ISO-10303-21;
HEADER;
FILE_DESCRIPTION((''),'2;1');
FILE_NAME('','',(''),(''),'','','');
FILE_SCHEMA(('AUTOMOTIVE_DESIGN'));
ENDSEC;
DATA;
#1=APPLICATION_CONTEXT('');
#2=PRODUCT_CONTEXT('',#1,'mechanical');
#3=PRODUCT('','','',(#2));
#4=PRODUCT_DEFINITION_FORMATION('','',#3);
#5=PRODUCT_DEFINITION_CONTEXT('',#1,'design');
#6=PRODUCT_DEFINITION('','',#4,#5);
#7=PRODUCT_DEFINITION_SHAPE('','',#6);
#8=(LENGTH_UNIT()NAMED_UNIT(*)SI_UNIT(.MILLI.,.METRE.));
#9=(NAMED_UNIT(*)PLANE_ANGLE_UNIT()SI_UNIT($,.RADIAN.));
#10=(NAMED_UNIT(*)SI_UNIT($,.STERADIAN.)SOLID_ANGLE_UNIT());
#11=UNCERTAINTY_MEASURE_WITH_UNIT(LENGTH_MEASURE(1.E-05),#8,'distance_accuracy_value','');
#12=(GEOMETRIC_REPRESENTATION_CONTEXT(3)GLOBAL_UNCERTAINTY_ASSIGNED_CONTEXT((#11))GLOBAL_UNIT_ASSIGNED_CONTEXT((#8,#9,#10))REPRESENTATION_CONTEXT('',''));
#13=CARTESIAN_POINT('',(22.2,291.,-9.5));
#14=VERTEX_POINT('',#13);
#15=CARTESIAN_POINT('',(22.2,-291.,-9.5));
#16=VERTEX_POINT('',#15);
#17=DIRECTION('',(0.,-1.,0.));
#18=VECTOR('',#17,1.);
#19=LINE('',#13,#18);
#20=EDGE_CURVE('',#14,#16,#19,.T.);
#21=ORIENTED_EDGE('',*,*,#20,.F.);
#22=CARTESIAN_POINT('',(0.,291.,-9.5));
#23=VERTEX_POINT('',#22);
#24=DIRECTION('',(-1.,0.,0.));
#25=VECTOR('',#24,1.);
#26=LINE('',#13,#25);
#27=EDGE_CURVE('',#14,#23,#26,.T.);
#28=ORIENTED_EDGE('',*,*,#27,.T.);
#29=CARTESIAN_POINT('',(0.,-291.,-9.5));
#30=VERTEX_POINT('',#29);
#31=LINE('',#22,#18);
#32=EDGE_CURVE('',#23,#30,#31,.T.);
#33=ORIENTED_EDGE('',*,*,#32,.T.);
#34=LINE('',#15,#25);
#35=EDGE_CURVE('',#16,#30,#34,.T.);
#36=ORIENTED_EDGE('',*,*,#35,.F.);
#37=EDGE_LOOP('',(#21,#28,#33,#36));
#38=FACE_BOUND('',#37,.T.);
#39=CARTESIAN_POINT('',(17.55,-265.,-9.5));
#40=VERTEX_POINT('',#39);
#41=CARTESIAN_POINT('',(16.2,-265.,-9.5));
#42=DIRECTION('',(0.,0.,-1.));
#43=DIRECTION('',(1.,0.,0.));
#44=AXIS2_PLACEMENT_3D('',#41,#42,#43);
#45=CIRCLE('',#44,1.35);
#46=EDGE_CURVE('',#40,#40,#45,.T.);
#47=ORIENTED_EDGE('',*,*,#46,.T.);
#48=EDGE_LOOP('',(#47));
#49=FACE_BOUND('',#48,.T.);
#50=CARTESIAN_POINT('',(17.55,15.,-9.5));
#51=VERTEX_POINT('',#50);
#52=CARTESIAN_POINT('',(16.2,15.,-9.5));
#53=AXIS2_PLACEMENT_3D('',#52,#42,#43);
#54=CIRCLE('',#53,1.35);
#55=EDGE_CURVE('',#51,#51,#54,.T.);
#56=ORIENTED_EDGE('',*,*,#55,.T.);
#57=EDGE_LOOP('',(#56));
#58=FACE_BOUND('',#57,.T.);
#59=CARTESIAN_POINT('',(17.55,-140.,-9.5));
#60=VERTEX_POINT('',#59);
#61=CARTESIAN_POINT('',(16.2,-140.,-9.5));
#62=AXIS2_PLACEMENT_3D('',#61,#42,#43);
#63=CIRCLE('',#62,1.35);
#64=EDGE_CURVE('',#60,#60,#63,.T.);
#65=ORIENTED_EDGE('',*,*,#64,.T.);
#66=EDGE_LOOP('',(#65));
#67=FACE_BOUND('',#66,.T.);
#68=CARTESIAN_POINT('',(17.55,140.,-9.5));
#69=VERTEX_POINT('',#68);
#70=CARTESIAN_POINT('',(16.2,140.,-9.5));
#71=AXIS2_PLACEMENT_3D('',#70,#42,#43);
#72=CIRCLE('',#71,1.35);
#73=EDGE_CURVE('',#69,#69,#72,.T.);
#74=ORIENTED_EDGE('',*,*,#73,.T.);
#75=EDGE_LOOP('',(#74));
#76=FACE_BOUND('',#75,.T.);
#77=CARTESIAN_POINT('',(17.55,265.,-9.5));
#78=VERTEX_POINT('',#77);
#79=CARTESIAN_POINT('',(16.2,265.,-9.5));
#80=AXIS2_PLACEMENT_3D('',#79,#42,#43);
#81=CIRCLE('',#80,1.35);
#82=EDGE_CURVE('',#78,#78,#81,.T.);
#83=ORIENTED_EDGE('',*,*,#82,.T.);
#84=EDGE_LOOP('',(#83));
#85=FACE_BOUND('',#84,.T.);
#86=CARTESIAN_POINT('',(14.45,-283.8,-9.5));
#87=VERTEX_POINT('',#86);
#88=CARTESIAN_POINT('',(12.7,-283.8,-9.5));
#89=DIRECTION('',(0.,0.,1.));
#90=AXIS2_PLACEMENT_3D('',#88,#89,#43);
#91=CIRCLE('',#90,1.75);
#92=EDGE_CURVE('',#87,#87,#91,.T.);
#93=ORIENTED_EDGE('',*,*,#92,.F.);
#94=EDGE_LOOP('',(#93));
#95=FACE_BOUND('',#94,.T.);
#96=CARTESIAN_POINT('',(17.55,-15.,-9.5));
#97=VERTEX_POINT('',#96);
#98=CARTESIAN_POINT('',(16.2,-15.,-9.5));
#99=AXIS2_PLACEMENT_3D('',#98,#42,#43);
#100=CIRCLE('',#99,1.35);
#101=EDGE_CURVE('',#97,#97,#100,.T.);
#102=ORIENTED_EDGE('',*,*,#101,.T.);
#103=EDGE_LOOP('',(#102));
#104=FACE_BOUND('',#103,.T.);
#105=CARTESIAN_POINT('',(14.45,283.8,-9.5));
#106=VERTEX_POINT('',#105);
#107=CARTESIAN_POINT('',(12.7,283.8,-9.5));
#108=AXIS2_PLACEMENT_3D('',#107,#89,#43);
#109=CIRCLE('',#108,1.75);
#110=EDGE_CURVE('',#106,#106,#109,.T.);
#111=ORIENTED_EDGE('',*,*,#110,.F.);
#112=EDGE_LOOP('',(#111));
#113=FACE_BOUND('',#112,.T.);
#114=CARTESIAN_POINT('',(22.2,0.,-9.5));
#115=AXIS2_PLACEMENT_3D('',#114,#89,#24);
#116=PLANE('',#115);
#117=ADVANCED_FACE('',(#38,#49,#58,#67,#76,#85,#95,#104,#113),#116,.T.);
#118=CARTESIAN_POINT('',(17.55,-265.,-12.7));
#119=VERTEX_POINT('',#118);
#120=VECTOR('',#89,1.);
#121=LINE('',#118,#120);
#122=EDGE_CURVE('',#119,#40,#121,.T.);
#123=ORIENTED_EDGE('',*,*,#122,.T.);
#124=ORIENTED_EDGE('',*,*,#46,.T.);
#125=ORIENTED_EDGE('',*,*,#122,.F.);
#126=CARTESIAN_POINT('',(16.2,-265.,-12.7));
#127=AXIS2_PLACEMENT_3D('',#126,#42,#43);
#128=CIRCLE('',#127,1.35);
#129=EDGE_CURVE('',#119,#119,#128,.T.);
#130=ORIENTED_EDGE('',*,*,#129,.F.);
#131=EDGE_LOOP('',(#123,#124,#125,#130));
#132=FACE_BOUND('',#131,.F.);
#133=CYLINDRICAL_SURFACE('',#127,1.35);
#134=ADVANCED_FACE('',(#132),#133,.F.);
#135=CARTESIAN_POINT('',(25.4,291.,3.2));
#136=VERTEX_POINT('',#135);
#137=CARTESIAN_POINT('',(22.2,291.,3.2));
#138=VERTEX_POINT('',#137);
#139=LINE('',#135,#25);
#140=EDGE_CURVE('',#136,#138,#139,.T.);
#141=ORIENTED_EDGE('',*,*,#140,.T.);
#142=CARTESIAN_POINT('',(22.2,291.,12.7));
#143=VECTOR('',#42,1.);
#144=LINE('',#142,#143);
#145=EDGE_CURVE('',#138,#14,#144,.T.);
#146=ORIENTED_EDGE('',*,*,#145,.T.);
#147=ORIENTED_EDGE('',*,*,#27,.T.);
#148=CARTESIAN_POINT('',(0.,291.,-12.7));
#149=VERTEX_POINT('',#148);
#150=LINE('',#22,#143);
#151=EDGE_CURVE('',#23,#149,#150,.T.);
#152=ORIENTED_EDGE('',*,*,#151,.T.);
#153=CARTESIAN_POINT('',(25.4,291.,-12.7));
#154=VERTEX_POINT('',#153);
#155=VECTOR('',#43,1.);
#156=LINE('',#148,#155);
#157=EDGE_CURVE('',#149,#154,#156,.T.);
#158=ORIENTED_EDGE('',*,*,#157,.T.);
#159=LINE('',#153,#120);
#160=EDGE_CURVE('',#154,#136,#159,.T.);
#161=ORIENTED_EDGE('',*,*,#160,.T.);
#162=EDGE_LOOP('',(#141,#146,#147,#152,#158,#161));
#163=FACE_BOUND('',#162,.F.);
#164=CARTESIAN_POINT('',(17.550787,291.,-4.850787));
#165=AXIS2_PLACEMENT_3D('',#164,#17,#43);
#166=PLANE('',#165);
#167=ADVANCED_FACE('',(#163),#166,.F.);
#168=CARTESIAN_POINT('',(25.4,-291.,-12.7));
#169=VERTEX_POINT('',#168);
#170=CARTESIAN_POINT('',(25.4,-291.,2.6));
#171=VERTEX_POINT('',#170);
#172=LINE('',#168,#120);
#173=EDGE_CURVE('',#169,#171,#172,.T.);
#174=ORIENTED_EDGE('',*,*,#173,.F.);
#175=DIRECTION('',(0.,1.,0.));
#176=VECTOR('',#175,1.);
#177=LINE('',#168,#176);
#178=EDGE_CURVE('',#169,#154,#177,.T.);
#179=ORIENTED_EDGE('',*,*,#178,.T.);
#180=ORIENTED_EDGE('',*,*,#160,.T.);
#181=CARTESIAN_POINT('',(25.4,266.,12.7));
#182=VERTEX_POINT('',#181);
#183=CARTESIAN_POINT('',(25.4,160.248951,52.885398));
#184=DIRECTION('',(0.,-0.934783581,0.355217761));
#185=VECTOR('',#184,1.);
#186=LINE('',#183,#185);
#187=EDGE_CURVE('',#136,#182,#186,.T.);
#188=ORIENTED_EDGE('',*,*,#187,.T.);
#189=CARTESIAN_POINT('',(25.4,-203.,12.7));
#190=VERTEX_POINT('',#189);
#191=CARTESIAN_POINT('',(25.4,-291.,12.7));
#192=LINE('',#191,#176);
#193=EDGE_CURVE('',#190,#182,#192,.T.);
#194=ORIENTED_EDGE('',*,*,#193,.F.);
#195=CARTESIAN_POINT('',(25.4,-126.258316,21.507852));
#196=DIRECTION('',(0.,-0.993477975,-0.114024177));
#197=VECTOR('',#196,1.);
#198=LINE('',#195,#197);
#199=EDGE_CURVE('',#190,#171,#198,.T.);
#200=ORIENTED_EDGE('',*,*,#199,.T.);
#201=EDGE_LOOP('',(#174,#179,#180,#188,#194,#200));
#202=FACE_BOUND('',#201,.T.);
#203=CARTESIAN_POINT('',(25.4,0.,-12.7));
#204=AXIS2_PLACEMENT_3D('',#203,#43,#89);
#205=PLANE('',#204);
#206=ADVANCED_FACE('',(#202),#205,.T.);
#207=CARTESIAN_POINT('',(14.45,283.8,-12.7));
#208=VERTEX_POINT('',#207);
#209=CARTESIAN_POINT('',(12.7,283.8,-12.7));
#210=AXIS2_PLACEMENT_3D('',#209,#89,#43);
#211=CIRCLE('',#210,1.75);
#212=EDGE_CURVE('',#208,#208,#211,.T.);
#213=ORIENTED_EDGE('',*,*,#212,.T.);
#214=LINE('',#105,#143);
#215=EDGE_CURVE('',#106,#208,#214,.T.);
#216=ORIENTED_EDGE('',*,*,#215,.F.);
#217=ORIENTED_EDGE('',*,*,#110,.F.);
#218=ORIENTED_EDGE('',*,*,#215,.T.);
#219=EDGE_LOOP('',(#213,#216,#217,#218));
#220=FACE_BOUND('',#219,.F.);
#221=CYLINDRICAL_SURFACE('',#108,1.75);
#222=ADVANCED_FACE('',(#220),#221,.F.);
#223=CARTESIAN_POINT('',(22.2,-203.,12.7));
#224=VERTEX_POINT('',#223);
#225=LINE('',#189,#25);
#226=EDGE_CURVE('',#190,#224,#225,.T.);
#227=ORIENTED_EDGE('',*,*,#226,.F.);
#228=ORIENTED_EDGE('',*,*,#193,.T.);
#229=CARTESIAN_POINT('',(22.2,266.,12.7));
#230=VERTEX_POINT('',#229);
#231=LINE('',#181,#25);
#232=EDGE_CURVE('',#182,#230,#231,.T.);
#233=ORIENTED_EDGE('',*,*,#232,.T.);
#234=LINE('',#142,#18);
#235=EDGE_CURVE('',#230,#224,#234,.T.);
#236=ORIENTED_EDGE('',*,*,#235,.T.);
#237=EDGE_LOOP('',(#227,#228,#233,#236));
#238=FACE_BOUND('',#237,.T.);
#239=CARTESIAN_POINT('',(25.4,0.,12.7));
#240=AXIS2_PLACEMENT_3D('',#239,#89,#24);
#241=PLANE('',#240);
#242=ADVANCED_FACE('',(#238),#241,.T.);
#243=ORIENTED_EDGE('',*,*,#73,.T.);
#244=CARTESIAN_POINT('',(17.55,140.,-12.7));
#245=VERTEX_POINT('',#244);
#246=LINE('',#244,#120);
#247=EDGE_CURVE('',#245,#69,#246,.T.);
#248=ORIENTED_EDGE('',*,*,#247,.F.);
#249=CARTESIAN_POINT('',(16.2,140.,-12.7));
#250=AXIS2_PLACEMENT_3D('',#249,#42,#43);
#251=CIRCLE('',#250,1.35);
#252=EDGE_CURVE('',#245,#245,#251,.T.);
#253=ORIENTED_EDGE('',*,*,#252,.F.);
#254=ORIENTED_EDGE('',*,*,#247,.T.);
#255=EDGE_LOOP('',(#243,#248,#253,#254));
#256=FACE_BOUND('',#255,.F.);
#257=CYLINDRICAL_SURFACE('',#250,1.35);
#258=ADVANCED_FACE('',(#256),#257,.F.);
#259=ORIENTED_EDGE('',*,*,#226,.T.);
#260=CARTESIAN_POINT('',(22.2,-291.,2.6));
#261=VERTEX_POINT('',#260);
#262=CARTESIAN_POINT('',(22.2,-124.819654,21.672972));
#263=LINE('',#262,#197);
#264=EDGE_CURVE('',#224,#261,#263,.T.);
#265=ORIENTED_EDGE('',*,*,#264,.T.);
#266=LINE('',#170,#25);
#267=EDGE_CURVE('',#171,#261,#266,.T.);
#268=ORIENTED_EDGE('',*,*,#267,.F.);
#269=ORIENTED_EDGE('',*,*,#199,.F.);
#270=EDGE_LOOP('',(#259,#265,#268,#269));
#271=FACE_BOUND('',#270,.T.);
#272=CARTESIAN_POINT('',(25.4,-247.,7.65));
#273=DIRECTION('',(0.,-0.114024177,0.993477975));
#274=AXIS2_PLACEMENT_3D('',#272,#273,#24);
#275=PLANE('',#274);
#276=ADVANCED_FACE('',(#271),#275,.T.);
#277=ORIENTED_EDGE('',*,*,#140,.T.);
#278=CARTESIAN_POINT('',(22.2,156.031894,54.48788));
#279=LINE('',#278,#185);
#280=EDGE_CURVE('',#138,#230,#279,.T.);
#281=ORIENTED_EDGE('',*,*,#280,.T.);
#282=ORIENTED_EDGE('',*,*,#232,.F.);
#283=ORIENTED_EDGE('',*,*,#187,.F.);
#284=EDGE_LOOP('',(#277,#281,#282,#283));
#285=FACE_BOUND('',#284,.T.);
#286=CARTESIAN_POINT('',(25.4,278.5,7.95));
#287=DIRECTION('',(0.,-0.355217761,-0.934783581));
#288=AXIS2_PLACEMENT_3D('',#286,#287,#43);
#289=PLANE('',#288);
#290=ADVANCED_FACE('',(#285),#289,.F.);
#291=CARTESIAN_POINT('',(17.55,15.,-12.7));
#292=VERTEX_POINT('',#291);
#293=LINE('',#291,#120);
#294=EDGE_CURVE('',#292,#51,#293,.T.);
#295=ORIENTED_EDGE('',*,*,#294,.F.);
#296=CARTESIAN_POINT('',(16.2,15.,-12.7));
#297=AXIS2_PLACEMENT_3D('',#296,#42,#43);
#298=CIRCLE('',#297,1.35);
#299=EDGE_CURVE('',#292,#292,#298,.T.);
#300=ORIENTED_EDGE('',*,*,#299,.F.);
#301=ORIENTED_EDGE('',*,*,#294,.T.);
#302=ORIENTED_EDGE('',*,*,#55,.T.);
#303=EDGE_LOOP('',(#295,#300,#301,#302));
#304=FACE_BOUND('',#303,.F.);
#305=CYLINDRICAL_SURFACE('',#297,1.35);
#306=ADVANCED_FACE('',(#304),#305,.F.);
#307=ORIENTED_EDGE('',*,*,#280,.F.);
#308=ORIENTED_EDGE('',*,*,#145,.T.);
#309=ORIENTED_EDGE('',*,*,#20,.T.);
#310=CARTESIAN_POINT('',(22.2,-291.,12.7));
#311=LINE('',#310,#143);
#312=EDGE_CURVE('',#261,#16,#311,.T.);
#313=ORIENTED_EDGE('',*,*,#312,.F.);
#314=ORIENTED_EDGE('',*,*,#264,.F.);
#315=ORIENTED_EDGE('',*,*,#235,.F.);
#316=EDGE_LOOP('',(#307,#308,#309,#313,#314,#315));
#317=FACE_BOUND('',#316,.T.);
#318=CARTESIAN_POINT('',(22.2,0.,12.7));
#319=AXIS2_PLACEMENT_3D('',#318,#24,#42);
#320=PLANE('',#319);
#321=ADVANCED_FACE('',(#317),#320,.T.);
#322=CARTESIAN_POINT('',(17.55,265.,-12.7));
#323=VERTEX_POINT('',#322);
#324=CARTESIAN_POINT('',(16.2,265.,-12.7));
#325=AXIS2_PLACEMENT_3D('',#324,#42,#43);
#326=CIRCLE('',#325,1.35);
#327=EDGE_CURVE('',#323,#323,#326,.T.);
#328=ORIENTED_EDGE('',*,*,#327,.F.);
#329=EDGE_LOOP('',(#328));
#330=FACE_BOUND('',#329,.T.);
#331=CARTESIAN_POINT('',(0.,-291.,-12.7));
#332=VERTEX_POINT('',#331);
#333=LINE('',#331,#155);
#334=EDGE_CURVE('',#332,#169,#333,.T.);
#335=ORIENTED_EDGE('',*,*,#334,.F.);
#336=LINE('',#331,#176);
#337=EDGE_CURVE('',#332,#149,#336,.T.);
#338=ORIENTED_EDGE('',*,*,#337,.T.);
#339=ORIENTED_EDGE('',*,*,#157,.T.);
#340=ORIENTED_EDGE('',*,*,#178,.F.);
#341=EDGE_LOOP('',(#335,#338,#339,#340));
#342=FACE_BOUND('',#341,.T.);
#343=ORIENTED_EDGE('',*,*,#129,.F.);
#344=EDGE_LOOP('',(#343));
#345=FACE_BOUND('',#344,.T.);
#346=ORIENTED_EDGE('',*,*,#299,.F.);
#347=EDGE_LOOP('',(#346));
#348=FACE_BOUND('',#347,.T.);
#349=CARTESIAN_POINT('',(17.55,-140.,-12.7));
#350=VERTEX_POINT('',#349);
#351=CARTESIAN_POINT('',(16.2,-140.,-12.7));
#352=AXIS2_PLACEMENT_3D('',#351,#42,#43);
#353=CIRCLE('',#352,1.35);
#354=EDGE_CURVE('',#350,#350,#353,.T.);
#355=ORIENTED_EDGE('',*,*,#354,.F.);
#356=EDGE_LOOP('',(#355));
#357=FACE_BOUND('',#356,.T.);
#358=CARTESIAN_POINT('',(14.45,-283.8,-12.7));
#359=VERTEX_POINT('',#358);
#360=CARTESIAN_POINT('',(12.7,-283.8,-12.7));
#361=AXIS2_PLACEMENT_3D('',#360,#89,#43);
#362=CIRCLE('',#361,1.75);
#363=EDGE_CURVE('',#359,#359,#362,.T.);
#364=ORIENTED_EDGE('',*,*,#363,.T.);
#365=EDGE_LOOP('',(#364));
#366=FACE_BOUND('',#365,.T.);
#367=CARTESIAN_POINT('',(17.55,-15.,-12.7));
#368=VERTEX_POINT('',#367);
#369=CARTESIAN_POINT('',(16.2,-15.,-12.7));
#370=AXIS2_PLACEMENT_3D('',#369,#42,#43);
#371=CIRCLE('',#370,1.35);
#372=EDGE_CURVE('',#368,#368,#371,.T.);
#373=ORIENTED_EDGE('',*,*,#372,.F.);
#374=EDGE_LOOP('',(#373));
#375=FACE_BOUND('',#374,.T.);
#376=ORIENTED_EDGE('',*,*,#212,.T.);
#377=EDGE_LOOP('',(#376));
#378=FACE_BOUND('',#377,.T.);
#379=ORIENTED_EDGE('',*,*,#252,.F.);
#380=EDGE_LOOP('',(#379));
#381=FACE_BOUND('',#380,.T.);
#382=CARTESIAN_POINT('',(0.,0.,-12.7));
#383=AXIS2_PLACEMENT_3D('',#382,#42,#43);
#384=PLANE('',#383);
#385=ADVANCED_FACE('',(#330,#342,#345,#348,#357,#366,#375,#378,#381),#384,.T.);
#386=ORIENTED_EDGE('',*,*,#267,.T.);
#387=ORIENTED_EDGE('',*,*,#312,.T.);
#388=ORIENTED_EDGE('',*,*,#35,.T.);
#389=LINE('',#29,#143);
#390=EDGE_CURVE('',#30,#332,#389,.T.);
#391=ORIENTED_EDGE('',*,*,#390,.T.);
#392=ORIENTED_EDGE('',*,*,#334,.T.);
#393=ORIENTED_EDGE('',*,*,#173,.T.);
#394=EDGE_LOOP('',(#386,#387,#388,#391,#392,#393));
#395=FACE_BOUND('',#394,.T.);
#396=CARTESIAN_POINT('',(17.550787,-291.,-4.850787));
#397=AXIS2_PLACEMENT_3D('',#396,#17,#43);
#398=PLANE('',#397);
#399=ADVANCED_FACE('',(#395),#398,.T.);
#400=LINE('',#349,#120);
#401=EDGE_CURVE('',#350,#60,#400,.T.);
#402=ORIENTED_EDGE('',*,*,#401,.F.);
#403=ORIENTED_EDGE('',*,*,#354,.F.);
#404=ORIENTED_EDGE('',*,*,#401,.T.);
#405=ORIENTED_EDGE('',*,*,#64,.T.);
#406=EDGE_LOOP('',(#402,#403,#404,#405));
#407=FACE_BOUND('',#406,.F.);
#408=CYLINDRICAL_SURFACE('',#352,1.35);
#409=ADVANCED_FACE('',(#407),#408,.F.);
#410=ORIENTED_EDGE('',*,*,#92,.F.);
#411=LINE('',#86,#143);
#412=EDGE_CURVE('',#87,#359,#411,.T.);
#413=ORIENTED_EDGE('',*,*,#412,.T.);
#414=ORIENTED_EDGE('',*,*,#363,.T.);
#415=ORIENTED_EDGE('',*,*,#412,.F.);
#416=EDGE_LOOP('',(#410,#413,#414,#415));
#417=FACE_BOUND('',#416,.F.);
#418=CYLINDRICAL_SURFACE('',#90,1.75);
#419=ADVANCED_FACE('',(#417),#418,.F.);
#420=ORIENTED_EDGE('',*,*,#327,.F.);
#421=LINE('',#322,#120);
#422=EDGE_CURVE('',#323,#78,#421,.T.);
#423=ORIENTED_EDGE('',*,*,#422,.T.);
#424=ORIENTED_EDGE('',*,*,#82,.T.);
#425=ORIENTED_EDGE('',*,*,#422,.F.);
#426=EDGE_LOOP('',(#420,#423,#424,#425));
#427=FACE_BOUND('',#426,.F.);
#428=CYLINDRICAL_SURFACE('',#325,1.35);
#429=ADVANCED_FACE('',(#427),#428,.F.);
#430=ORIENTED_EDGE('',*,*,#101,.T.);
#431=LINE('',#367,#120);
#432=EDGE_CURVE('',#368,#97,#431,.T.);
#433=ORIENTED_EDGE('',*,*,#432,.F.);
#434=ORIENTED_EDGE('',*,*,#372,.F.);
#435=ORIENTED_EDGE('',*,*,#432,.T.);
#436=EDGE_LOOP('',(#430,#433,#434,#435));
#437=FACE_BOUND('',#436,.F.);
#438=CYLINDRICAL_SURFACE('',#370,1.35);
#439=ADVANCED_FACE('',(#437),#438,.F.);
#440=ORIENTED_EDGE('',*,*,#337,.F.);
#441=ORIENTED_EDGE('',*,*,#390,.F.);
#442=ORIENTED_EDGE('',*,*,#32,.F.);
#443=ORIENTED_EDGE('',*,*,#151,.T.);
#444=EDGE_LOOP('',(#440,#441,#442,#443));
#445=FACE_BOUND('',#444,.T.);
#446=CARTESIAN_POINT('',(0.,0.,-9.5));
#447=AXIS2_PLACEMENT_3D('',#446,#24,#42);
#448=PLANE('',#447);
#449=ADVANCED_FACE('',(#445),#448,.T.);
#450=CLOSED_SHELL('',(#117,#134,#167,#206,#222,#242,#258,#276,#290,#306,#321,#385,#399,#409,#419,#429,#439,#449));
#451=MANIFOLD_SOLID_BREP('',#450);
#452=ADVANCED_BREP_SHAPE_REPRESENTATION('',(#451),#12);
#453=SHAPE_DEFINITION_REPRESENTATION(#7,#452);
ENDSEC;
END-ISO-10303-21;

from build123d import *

# Parameters (mm, degrees)
F1_DEPTH = 291
F4_SIZE2 = 25
F4_SIZE  = 9.5
F5_SIZE2 = 10.1
F5_SIZE  = 88
F7_R     = 1.75
F8_DEPTH = 3.2
F3_R     = 1.35
F9_DEPTH = 25


with BuildPart() as f1:
    # F0 (on Front) → F1 (new body, symmetric)
    with BuildSketch(Plane.XZ):
        Polygon((25.4, 12.7), (22.2, 12.7), (22.2, -9.5), (0, -9.5), (0, -12.7), (25.4, -12.7), align=None)
    extrude(amount=F1_DEPTH, both=True)

    # F4
    f4_edges = [f1.edges().sort_by_distance(p)[0] for p in [
        (23.8, 291, 12.7),
    ]]
    f4_side = f1.faces().sort_by_distance((23.8, 291, 12.34079))[0]
    chamfer(f4_edges, length=F4_SIZE, length2=F4_SIZE2, reference=f4_side)

    # F5
    f5_edges = [f1.edges().sort_by_distance(p)[0] for p in [
        (23.8, -291, 12.7),
    ]]
    f5_side = f1.faces().sort_by_distance((23.8, -12.5, 12.7))[0]
    chamfer(f5_edges, length=F5_SIZE, length2=F5_SIZE2, reference=f5_side)

    # F7 (on face) → F8 (cut, through all)
    with BuildSketch(Plane.XY.offset(-9.5)):
        with Locations((12.7, -283.8)):
            Circle(F7_R)
        with Locations((12.7, 283.8)):
            Circle(F7_R)
    extrude(amount=-F8_DEPTH, mode=Mode.SUBTRACT)

    # F3 (on face) → F9 (cut)
    with BuildSketch(Plane(origin=(0, 0, -12.7), x_dir=(1, 0, 0), z_dir=(0, 0, -1))):
        with Locations((16.2, 15)):
            Circle(F3_R)
        with Locations((16.2, -15)):
            Circle(F3_R)
        with Locations((16.2, 140)):
            Circle(F3_R)
        with Locations((16.2, 265)):
            Circle(F3_R)
        with Locations((16.2, -140)):
            Circle(F3_R)
        with Locations((16.2, -265)):
            Circle(F3_R)
    extrude(amount=-F9_DEPTH, mode=Mode.SUBTRACT)


solid = f1.part
